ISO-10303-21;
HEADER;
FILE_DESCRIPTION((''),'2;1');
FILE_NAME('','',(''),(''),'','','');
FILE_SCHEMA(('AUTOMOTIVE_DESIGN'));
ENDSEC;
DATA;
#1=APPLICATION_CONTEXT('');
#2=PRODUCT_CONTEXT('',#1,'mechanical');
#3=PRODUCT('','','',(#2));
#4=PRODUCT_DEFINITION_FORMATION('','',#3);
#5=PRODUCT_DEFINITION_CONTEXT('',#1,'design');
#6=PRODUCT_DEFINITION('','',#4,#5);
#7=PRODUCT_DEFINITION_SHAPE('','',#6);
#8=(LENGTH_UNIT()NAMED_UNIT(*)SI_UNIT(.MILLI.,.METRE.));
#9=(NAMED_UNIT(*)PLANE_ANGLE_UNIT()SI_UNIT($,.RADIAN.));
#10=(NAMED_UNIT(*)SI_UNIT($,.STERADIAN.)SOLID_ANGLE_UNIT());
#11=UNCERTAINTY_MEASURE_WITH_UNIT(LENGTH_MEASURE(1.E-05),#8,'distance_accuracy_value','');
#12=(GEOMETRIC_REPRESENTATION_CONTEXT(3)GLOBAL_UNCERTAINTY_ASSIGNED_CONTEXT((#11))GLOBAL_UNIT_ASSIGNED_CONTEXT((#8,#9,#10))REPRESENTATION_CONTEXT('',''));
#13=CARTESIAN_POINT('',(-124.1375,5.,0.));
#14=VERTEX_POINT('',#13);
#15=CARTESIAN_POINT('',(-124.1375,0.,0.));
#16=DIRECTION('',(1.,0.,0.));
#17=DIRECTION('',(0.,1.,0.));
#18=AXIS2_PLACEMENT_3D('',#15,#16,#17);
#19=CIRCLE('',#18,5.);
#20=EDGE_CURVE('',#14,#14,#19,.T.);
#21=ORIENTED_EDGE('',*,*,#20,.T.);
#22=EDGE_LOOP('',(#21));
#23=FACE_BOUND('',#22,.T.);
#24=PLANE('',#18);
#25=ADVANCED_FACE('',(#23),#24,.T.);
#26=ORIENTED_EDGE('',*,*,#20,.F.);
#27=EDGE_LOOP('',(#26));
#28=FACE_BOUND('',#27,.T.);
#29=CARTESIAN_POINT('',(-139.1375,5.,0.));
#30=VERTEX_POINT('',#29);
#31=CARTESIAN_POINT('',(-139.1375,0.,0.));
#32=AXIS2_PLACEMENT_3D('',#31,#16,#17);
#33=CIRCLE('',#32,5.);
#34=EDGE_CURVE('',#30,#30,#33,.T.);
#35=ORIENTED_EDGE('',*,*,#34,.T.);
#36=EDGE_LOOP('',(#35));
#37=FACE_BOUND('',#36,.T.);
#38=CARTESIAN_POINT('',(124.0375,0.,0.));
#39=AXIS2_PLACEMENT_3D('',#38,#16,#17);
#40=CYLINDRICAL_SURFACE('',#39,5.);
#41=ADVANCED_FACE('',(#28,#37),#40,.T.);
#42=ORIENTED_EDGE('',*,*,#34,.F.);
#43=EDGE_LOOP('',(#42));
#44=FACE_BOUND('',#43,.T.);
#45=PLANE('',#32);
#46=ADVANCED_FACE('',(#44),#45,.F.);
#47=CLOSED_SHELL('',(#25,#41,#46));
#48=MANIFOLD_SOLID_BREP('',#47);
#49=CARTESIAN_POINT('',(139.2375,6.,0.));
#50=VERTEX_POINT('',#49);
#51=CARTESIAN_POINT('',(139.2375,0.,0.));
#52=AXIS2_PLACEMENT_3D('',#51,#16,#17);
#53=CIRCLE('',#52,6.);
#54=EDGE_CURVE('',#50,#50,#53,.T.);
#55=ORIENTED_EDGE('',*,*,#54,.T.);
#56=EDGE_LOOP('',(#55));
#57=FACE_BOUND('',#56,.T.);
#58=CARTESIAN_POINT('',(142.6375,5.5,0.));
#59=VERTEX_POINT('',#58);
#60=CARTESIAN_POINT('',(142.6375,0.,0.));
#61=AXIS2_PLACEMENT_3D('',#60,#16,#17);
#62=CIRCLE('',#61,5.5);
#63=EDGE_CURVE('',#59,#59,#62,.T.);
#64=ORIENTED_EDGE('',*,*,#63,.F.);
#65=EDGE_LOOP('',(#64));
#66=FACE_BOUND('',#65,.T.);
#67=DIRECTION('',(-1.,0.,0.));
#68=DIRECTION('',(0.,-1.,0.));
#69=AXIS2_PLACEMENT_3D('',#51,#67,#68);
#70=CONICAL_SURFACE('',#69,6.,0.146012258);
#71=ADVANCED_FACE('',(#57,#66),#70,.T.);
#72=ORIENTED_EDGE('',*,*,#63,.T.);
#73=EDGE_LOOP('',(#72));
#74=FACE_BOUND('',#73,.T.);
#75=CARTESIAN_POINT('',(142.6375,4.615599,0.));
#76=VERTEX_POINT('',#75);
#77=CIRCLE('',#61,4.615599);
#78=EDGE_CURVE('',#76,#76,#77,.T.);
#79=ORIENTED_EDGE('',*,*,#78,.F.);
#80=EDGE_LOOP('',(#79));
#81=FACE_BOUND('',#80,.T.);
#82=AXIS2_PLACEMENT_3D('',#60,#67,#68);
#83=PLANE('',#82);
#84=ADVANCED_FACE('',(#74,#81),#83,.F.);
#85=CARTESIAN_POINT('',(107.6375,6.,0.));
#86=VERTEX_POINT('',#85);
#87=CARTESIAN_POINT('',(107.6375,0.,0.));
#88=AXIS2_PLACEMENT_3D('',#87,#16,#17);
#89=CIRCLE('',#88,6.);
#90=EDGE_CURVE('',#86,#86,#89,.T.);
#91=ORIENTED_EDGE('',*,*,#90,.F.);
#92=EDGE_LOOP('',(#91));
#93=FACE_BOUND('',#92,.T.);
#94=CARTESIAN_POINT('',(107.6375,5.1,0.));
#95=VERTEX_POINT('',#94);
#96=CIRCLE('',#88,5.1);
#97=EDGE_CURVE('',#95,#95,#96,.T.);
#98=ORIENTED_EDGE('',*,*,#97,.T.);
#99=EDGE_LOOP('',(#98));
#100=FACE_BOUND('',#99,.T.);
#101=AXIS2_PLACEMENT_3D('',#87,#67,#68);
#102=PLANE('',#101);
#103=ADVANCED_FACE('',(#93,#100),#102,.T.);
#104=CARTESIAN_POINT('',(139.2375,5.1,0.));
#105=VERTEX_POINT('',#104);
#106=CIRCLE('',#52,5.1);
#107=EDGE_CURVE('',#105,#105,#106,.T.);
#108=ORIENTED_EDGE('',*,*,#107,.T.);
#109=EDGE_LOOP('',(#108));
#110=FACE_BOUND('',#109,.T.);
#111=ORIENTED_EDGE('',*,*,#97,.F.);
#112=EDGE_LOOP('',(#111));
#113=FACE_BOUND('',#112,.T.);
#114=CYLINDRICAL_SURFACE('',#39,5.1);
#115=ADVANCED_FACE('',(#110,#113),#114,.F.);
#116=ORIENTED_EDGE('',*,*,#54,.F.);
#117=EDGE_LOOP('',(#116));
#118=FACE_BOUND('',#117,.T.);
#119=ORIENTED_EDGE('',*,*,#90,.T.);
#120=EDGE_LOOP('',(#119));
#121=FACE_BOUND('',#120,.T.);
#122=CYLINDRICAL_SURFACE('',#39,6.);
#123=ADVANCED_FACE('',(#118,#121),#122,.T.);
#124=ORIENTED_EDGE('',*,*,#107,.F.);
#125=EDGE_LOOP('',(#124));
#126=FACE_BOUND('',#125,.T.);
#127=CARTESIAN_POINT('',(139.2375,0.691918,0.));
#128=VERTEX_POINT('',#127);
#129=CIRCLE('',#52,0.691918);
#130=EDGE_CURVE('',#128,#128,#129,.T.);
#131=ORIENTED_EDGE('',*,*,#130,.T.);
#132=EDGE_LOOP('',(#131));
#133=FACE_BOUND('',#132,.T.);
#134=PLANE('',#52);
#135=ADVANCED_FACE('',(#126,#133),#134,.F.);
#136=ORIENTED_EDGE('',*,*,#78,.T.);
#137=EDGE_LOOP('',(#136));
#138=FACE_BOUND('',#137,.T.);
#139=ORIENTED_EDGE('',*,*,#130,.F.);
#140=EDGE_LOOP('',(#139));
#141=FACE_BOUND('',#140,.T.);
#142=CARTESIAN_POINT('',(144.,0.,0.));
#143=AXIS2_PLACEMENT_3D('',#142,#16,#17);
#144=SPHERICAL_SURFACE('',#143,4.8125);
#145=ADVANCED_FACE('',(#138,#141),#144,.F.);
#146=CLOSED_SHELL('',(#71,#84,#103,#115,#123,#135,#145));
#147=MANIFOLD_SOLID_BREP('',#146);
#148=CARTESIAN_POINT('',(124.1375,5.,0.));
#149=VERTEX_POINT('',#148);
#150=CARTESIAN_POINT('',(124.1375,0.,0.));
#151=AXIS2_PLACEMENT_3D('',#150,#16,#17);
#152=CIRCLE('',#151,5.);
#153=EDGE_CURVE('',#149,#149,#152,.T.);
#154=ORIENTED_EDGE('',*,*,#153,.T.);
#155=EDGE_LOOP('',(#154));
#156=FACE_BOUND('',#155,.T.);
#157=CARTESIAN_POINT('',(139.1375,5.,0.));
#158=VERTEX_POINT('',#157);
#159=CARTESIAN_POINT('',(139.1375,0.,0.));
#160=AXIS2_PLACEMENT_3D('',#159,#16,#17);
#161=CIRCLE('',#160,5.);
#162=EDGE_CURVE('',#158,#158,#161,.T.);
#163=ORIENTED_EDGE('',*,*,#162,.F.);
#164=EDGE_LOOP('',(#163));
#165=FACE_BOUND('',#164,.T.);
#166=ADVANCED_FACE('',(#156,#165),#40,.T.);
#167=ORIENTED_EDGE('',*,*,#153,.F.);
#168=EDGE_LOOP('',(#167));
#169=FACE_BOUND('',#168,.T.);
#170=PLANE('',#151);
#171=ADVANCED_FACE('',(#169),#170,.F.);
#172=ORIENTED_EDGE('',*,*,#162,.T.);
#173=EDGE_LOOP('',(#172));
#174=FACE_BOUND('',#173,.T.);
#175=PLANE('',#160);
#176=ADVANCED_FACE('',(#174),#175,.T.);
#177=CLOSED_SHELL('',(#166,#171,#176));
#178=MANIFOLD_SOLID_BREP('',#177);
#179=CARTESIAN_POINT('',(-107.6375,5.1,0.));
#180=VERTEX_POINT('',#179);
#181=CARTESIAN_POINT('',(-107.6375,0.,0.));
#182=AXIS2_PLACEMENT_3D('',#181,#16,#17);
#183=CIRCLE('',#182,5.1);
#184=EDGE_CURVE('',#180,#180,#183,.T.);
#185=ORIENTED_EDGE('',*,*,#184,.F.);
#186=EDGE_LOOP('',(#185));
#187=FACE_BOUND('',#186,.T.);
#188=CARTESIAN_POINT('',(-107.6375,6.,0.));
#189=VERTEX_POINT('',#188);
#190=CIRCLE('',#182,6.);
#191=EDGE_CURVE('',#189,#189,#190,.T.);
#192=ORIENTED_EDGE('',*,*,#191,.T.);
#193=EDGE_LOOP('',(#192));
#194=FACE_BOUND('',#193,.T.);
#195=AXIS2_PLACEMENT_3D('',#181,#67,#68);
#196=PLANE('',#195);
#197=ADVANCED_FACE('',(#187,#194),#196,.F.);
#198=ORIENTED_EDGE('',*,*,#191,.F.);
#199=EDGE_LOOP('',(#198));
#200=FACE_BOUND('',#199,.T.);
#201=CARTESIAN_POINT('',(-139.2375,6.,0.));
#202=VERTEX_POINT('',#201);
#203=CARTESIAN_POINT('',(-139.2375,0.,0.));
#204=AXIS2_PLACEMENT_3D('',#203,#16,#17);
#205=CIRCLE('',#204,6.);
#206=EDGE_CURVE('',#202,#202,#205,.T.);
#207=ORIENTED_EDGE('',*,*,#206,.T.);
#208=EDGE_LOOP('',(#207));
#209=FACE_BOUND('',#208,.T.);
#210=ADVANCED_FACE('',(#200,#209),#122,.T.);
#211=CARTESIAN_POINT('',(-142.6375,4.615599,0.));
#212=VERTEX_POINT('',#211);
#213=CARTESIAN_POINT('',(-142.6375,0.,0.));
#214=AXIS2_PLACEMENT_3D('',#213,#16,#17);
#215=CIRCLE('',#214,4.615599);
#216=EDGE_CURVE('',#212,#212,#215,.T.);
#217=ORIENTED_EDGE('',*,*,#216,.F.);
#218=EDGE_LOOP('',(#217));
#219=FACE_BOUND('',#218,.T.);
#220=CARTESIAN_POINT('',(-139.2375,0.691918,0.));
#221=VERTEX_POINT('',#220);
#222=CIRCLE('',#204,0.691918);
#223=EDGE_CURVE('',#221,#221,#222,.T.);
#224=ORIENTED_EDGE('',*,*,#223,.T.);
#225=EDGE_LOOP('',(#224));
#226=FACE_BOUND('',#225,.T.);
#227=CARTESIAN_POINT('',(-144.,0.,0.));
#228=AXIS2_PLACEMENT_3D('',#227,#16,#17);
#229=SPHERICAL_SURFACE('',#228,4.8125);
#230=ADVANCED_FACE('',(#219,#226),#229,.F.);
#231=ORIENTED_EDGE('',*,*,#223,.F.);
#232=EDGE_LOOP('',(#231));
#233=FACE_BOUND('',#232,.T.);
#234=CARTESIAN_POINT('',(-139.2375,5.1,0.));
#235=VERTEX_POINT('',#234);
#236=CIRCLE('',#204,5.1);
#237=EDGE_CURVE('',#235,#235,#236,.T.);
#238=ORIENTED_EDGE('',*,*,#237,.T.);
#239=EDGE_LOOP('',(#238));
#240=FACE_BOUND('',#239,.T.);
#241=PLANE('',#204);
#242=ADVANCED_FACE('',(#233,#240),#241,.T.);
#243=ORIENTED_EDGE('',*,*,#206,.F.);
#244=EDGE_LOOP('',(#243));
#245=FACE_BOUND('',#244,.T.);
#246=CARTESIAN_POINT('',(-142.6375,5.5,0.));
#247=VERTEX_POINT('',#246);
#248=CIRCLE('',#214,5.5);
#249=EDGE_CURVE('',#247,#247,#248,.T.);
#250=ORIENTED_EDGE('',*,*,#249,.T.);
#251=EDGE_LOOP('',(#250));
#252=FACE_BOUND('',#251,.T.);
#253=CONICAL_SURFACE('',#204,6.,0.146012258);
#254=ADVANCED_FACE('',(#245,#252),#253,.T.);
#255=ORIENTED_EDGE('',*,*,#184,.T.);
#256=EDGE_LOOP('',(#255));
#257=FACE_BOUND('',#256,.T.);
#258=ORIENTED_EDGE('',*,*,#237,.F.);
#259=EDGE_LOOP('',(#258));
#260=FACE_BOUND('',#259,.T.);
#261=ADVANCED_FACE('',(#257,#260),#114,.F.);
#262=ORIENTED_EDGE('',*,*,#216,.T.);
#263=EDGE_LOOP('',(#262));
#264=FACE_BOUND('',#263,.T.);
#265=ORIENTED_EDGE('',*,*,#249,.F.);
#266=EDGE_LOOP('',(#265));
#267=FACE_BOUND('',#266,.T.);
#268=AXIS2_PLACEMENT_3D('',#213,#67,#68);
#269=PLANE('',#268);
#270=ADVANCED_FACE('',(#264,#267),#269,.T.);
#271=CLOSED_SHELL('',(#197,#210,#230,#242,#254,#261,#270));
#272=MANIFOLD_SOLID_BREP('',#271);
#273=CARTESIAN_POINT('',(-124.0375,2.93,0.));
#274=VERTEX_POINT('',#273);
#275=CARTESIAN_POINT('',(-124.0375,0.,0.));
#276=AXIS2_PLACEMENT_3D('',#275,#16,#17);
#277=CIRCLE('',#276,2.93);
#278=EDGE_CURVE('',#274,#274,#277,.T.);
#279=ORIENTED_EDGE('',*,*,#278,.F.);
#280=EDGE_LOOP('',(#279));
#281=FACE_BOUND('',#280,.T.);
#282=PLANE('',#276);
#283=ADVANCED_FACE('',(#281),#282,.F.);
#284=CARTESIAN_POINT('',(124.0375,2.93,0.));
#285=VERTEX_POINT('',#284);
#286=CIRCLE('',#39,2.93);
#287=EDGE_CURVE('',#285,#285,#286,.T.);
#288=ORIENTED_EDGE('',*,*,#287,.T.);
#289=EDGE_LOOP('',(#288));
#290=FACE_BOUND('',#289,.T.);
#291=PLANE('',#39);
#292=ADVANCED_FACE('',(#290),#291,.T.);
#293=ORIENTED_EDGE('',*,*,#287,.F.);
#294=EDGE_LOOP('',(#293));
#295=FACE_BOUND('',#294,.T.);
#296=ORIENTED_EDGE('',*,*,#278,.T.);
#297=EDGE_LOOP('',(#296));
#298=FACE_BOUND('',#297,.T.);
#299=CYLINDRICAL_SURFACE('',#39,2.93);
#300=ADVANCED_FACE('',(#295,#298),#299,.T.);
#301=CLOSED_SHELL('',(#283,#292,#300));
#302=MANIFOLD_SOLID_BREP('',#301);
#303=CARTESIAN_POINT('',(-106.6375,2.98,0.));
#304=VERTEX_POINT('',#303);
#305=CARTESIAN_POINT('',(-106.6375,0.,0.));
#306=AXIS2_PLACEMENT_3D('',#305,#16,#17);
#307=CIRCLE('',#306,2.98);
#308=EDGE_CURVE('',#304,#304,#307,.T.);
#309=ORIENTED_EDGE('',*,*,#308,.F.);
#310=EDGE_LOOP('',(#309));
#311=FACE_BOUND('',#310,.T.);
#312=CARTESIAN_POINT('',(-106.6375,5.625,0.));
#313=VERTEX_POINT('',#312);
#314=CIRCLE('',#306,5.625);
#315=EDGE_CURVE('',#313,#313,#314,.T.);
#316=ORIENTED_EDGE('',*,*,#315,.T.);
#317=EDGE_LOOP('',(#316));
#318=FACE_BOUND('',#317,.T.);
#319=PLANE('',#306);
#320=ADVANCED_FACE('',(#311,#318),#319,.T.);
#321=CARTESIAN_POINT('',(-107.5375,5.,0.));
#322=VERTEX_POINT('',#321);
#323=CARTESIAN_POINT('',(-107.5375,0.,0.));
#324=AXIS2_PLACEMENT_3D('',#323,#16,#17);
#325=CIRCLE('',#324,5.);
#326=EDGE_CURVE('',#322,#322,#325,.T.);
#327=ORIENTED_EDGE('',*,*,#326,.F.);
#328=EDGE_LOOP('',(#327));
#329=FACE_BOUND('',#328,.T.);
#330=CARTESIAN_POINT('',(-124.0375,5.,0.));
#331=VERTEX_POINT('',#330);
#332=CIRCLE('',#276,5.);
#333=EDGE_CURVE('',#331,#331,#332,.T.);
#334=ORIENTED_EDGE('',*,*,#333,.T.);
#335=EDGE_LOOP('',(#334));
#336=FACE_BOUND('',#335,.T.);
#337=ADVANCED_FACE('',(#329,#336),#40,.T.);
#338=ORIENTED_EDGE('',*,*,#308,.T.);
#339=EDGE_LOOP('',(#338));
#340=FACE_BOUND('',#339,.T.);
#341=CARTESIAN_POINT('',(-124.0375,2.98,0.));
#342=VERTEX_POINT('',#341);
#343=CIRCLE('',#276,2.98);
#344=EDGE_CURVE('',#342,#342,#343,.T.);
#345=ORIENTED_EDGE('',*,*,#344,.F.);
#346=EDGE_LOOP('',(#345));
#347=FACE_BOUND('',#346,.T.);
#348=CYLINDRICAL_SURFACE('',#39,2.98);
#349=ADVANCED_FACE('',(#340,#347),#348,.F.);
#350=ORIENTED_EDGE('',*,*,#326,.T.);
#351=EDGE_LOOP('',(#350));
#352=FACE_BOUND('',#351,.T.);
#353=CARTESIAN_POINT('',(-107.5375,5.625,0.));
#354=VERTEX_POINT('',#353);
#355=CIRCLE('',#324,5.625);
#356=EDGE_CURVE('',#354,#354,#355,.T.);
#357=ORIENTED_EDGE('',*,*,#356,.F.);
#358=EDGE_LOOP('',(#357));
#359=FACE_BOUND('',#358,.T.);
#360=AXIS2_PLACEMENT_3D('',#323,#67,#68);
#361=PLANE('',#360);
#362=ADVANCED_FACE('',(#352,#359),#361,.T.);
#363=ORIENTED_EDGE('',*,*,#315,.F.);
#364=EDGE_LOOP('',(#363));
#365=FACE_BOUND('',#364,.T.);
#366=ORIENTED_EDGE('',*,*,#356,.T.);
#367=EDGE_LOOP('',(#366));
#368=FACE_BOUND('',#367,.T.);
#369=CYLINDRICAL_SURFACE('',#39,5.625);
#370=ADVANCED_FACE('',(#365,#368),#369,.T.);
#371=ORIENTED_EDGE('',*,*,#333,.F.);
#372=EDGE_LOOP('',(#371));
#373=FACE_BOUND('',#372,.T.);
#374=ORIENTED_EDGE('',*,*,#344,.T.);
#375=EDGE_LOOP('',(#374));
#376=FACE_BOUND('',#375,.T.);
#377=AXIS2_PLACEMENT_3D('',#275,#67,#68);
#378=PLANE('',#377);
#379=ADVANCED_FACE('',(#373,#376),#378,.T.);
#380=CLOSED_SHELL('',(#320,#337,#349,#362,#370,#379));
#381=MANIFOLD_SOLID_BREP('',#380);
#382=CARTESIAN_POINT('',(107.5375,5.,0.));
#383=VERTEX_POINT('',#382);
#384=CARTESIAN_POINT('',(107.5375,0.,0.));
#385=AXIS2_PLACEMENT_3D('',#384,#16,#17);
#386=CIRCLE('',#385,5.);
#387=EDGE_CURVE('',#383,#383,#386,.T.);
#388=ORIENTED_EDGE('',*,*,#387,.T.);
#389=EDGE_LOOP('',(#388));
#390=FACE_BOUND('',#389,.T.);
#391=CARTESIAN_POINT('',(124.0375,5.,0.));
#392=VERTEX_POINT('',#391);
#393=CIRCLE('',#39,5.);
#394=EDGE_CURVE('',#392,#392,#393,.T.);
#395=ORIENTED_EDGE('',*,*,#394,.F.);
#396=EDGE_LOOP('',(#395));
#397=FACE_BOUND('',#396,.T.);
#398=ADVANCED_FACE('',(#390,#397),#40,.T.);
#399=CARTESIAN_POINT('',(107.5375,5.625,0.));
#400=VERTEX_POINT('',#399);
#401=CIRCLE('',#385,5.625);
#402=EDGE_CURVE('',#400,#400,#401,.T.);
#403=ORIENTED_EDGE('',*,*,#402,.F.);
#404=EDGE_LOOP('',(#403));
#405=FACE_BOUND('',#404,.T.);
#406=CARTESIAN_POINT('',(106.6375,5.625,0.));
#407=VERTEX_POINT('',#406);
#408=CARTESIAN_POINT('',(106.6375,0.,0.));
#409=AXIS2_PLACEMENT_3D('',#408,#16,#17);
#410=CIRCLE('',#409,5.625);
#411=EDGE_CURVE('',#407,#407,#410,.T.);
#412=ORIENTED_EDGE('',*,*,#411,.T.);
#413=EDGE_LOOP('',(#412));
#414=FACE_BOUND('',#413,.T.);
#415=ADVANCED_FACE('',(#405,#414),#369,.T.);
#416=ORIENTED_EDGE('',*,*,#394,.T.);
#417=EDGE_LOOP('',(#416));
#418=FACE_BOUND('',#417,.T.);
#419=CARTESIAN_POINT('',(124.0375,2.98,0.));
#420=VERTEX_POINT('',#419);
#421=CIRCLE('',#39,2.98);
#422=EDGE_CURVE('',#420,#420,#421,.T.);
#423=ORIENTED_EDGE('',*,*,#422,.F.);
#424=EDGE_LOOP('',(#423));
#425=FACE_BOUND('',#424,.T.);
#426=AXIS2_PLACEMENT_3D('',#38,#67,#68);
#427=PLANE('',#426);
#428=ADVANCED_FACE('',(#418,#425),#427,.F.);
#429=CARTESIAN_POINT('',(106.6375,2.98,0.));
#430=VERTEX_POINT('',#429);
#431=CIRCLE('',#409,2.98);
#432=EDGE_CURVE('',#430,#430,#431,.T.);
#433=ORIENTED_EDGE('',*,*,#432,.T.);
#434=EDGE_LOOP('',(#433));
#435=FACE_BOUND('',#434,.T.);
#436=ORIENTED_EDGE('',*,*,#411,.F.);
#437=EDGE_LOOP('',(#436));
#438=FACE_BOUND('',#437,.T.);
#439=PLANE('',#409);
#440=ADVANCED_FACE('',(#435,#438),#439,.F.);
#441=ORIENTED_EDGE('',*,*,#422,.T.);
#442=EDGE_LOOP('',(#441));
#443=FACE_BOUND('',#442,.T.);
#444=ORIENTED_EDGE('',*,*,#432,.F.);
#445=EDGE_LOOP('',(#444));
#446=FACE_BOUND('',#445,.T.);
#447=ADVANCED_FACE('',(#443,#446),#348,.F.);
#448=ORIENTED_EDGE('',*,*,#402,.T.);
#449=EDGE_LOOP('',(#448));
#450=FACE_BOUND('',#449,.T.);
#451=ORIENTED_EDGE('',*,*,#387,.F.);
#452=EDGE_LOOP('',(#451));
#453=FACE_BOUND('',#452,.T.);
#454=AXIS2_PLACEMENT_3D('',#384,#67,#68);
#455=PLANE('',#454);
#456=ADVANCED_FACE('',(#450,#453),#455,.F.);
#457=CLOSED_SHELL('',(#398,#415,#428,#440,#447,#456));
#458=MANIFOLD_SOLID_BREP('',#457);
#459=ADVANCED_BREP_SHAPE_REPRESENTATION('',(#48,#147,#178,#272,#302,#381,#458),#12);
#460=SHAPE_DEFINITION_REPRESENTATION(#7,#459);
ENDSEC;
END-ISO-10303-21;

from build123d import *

# Parameters (mm, degrees)
SKETCH1_W   = 15
SKETCH1_H   = 5
SKETCH1_W_2 = 124.0375
SKETCH1_H_2 = 2.93


with BuildPart() as part:
    # Sketch1 → Revolve1 (revolve)
    with BuildSketch(Plane.XY):
        with BuildLine():
            ThreePointArc((-139.2375, 0.691917625), (-140.363006151, 3.151576113), (-142.6375, 4.615598553))
            Line((-142.6375, 4.615598553), (-142.6375, 5.5))
            Line((-142.6375, 5.5), (-139.2375, 6))
            Line((-139.2375, 6), (-107.6375, 6))
            Line((-107.6375, 6), (-107.6375, 5.1))
            Line((-107.6375, 5.1), (-139.2375, 5.1))
            Line((-139.2375, 5.1), (-139.2375, 0.691917625))
        make_face()
        with Locations((-131.6375, 2.5)):
            Rectangle(SKETCH1_W, SKETCH1_H)
        Polygon((-124.0375, 5), (-124.0375, 2.98), (-106.6375, 2.98), (-106.6375, 5.625), (-107.5375, 5.625), (-107.5375, 5), align=None)
        with Locations((-62.01875, 1.465)):
            Rectangle(SKETCH1_W_2, SKETCH1_H_2)
        with Locations((62.01875, 1.465)):
            Rectangle(SKETCH1_W_2, SKETCH1_H_2)
        Polygon((106.6375, 2.98), (106.6375, 5.625), (107.5375, 5.625), (107.5375, 5), (124.0375, 5), (124.0375, 2.98), align=None)
        with BuildLine():
            Line((139.2375, 0.691917625), (139.2375, 5.1))
            Line((139.2375, 5.1), (107.6375, 5.1))
            Line((107.6375, 5.1), (107.6375, 6))
            Line((107.6375, 6), (139.2375, 6))
            Line((139.2375, 6), (142.6375, 5.5))
            Line((142.6375, 5.5), (142.6375, 4.615598553))
            ThreePointArc((142.6375, 4.615598553), (140.363006151, 3.151576113), (139.2375, 0.691917625))
        make_face()
        with Locations((131.6375, 2.5)):
            Rectangle(SKETCH1_W, SKETCH1_H)
    revolve(axis=Axis((124.0375, 0, 0), (-1, 0, 0)))


solid = part.part
